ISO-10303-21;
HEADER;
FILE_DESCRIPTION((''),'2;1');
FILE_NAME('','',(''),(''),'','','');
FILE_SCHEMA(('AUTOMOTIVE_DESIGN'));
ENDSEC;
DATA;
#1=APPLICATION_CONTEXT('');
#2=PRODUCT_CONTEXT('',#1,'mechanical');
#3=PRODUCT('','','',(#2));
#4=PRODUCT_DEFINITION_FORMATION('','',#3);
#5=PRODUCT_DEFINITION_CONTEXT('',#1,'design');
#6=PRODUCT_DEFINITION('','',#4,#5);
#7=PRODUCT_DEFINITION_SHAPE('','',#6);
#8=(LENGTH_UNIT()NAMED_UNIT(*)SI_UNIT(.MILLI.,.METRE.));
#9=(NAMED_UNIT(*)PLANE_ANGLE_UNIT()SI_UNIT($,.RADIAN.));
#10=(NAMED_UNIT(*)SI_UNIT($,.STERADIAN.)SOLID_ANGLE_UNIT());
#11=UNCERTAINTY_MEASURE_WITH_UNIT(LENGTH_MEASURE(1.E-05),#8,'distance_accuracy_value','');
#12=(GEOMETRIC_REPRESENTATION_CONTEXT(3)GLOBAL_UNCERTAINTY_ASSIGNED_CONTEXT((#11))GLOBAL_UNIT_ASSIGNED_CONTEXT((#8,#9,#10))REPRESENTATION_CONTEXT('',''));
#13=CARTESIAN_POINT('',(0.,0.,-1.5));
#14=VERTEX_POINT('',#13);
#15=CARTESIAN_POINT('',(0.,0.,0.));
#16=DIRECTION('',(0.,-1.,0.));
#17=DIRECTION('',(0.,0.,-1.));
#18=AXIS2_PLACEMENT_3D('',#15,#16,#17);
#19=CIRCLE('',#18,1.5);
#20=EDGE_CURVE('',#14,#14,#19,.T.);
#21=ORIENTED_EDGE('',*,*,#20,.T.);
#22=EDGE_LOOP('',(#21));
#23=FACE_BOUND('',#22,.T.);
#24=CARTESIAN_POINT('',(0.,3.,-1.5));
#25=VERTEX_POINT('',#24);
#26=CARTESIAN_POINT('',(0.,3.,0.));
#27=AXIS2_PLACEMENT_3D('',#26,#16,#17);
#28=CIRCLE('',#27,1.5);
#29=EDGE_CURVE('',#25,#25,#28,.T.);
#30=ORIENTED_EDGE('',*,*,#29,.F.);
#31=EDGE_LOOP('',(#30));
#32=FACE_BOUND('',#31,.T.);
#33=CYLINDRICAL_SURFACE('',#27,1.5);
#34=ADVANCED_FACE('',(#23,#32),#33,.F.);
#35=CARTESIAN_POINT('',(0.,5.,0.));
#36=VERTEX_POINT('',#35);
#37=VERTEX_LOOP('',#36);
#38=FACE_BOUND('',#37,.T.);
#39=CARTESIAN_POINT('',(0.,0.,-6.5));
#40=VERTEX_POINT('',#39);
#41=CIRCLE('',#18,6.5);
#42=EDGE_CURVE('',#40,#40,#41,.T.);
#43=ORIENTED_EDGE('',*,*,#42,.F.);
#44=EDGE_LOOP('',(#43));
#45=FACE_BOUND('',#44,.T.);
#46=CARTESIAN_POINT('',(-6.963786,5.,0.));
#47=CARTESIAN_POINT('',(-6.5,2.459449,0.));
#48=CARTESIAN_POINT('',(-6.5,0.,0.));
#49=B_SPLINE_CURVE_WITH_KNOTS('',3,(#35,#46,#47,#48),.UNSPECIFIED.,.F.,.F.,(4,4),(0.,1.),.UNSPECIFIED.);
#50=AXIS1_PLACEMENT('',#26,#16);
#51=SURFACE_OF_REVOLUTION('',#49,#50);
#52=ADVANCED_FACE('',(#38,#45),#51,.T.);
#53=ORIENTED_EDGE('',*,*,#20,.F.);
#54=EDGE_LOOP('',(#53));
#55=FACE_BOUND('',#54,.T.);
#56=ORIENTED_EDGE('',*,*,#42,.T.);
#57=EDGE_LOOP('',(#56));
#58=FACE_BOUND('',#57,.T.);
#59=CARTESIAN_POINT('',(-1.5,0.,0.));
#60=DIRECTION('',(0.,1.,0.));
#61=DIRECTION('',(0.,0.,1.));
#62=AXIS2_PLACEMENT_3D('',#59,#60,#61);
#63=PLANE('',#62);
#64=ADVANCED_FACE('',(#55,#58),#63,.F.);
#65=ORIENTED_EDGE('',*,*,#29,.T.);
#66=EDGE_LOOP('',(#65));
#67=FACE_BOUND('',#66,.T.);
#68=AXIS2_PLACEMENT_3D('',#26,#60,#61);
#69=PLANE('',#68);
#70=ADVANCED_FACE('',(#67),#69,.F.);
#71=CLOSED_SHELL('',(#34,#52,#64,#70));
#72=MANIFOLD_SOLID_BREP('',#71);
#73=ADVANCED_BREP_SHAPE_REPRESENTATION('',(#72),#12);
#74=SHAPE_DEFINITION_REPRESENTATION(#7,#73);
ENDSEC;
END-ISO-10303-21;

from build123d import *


with BuildPart() as part:
    # Sketch1 → Revolve1 (revolve)
    with BuildSketch(Plane.XY):
        with BuildLine():
            Line((-1.5, 0), (-6.5, 0))
            add(Edge.make_bspline(
                [(0, 5), (-6.963785829, 5), (-6.5, 2.459448899), (-6.5, 0)],
                knots=[0, 0, 0, 0, 1, 1, 1, 1], degree=3))
            Line((0, 5), (0, 3))
            Line((0, 3), (-1.5, 3))
            Line((-1.5, 3), (-1.5, 0))
        make_face()
    revolve(axis=Axis((0, 3, 0), (0, 1, 0)))


solid = part.part
